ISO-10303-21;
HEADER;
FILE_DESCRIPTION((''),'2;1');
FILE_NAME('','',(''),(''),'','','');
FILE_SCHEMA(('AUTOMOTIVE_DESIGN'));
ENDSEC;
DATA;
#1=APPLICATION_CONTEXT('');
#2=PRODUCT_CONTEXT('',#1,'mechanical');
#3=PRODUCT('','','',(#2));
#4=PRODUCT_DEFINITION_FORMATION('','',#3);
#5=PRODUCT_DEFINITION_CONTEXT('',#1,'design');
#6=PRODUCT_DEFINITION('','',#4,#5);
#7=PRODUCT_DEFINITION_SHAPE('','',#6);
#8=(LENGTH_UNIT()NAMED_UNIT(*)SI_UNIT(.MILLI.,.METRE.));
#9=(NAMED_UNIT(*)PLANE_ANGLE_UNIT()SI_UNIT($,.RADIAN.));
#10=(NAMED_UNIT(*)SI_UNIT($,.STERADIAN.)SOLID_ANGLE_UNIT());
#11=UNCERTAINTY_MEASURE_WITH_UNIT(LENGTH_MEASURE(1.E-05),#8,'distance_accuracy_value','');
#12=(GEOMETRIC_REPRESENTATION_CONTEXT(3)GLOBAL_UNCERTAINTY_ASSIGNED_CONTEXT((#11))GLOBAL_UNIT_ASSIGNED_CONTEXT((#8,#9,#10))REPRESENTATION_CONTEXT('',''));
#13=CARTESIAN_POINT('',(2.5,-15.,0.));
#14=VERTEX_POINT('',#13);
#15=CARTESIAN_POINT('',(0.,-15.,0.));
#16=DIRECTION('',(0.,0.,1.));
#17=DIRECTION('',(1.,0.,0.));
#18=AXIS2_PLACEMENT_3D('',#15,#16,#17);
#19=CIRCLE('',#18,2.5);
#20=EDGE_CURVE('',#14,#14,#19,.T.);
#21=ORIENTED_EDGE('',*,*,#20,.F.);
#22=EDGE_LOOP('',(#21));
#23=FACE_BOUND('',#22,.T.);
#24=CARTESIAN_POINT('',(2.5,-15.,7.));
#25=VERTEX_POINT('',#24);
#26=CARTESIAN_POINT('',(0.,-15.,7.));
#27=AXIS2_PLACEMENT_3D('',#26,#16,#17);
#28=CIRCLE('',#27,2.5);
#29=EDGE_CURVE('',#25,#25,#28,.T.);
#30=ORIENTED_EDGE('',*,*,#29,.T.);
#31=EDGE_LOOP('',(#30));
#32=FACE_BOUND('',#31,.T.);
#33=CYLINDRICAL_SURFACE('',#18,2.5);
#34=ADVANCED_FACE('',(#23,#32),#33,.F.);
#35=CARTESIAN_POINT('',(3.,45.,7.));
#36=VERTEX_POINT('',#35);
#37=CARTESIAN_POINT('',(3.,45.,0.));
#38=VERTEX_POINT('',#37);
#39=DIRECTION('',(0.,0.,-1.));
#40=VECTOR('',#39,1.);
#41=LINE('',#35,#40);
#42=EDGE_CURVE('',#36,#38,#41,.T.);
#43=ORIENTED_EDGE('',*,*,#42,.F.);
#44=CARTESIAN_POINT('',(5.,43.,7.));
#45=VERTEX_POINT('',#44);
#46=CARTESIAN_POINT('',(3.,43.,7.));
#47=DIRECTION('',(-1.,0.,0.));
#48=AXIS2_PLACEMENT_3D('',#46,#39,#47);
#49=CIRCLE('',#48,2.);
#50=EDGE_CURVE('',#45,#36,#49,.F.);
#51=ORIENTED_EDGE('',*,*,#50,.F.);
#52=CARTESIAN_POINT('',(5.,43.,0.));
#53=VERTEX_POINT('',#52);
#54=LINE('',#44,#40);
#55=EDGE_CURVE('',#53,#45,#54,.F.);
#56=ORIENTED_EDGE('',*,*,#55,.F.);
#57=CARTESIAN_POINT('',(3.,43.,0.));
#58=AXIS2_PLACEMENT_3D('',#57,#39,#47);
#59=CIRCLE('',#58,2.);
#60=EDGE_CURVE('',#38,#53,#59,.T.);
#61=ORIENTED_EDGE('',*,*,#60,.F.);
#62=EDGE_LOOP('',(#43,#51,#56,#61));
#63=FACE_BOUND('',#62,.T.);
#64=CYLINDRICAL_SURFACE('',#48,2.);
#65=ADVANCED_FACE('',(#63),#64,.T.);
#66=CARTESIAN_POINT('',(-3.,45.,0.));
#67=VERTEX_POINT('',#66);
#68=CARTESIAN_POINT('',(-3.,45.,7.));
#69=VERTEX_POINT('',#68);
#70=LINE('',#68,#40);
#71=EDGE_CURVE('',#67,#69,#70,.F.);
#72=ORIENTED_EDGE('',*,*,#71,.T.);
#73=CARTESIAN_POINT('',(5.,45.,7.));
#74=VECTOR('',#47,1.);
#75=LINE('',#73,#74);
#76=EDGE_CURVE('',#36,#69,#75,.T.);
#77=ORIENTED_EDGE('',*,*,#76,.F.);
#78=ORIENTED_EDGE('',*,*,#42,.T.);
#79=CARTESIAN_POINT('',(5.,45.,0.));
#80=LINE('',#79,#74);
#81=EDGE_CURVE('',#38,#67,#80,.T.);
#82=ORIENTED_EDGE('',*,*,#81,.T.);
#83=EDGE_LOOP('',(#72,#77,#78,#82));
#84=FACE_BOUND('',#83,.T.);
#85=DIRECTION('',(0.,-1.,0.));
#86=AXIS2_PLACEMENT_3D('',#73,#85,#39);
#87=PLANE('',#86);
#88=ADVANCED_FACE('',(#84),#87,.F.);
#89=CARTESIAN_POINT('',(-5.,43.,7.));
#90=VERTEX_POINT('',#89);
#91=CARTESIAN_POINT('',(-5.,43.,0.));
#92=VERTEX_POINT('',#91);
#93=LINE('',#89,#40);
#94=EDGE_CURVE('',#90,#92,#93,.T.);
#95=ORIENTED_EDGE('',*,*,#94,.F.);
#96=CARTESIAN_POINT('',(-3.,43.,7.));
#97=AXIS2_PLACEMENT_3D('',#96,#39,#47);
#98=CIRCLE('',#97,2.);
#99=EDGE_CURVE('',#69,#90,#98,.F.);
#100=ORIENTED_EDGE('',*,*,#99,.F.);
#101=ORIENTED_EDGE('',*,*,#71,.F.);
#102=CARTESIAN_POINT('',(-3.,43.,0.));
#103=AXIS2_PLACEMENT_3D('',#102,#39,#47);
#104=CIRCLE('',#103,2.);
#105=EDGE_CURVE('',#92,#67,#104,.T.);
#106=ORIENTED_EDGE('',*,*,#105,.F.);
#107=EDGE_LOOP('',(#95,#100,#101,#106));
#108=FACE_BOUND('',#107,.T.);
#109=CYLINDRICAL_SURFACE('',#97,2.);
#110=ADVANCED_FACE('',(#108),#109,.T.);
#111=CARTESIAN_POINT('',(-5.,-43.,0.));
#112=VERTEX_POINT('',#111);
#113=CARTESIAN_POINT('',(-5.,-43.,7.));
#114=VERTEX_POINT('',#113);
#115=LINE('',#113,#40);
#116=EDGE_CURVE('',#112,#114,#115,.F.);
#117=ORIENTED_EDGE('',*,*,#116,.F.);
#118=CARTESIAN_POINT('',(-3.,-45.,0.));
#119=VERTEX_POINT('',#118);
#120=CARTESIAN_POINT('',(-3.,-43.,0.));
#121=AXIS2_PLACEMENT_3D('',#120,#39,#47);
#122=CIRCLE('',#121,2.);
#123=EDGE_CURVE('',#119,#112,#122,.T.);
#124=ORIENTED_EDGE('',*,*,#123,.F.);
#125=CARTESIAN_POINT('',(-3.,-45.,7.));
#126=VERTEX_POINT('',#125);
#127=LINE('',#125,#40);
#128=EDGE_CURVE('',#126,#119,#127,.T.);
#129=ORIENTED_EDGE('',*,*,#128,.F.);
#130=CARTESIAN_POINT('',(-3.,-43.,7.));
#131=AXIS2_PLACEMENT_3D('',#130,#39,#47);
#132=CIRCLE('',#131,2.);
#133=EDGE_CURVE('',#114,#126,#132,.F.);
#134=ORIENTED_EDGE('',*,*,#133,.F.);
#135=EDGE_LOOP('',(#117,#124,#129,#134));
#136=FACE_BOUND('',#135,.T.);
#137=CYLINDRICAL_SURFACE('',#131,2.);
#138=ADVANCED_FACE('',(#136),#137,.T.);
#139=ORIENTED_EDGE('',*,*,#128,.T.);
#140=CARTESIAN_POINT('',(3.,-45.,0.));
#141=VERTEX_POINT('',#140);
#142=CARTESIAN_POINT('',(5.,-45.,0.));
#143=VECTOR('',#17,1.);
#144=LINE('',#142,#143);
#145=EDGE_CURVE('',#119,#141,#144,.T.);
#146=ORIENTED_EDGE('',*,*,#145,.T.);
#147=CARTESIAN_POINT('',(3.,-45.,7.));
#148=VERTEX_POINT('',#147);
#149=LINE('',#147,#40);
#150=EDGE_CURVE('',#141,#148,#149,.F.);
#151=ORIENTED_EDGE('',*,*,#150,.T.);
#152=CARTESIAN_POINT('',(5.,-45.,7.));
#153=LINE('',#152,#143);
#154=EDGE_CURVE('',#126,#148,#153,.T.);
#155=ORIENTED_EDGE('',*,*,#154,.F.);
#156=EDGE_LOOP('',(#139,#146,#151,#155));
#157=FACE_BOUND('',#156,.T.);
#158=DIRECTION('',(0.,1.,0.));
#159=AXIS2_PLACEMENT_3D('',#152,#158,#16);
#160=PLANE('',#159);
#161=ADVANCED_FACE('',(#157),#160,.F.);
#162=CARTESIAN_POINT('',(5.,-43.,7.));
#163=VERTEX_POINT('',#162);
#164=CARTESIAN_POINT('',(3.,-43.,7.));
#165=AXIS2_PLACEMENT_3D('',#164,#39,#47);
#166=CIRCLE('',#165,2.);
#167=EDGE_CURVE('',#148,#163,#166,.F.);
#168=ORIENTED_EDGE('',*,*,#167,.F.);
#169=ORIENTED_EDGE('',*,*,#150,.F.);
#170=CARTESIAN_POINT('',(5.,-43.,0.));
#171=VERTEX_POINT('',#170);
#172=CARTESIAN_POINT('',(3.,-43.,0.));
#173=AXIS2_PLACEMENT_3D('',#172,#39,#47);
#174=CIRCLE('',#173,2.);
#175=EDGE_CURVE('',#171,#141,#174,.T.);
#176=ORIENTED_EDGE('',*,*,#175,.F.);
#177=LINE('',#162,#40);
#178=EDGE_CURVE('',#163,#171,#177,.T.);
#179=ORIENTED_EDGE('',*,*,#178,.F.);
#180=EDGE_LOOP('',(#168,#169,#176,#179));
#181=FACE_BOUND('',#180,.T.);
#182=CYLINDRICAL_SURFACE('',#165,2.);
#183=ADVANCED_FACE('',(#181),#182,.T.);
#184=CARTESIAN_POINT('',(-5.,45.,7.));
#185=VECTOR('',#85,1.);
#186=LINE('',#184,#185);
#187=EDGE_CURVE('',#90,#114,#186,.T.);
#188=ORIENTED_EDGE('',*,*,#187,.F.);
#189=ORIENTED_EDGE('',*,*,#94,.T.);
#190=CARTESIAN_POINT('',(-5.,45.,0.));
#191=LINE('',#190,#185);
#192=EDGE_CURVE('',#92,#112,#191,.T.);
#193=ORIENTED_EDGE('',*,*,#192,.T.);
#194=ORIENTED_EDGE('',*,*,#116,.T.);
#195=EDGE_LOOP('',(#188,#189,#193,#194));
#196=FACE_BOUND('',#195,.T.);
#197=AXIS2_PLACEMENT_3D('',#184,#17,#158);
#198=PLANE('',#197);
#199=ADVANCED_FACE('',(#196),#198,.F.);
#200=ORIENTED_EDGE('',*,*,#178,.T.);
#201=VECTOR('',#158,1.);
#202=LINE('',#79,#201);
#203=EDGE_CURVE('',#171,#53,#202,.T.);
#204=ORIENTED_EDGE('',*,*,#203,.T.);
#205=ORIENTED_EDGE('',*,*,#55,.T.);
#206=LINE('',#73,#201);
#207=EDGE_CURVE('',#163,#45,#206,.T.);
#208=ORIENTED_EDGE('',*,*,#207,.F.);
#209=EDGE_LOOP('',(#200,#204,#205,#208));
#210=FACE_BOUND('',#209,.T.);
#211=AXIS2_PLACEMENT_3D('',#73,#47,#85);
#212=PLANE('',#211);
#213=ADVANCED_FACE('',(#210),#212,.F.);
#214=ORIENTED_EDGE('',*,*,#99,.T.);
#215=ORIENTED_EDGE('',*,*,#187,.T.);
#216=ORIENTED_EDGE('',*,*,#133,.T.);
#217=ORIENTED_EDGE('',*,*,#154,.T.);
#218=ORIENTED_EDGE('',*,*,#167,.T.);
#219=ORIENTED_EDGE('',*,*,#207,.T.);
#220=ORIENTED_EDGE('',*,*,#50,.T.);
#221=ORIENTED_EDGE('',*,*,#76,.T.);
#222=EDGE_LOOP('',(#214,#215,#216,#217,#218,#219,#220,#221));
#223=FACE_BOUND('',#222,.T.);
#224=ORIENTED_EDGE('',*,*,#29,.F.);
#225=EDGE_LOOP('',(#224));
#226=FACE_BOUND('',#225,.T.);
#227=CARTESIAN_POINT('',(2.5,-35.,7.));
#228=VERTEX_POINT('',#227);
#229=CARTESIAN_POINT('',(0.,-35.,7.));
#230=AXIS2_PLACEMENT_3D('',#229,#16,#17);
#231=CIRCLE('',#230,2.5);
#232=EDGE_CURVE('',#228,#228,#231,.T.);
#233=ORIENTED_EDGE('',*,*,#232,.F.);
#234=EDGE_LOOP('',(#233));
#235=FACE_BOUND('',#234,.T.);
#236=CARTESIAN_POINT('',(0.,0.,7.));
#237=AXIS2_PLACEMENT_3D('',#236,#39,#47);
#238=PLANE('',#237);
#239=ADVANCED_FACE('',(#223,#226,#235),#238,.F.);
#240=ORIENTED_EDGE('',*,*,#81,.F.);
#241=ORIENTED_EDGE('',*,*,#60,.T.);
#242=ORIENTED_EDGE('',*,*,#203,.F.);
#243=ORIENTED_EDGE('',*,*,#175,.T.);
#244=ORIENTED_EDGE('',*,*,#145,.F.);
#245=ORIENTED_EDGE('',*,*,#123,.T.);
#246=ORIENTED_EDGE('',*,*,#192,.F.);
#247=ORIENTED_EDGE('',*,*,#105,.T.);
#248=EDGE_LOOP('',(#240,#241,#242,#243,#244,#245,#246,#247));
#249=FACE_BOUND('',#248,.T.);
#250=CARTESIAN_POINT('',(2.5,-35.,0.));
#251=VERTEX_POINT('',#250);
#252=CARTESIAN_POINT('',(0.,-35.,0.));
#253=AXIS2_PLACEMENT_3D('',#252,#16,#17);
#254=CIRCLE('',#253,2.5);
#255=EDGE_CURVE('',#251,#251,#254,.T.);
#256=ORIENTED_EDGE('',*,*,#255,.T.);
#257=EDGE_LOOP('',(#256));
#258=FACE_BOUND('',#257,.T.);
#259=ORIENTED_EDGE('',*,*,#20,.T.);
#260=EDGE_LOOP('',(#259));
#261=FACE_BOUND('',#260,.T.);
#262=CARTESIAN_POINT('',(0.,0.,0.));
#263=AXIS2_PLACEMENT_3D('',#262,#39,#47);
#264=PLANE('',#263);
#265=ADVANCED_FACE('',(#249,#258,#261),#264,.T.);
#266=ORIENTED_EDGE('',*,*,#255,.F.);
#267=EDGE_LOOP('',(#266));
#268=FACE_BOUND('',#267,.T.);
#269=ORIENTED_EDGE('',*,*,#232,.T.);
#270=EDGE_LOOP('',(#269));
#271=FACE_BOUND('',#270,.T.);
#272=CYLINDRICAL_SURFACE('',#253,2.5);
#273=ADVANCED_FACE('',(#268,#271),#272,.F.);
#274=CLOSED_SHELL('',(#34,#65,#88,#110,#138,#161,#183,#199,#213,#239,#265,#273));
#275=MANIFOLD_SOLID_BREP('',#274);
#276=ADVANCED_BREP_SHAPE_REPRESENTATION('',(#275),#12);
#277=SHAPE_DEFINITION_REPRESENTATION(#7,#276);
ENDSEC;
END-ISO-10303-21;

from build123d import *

# Parameters (mm, degrees)
CROQUIS1_W              = 10
CROQUIS1_H              = 90
SALIENTE_EXTRUIR1_DEPTH = 7
CROQUIS2_R              = 2.5
CORTAR_EXTRUIR1_DEPTH   = 46.814844756
REDONDEO1_R             = 2


with BuildPart() as part:
    # Croquis1 → Saliente-Extruir1 (new body)
    with BuildSketch(Plane.XY):
        Rectangle(CROQUIS1_W, CROQUIS1_H)
    extrude(amount=SALIENTE_EXTRUIR1_DEPTH)

    # Croquis2 → Cortar-Extruir1 (cut, through all)
    with BuildSketch(Plane.XY.offset(7)):
        with Locations((0, -35)):
            Circle(CROQUIS2_R)
        with Locations((0, -15)):
            Circle(CROQUIS2_R)
    extrude(amount=-CORTAR_EXTRUIR1_DEPTH, mode=Mode.SUBTRACT)

    # Redondeo1
    redondeo1_edges = [part.edges().sort_by_distance(p)[0] for p in [
        (-5, 45, 3.5),
        (5, 45, 3.5),
        (5, -45, 3.5),
        (-5, -45, 3.5),
    ]]
    fillet(redondeo1_edges, radius=REDONDEO1_R)


solid = part.part
